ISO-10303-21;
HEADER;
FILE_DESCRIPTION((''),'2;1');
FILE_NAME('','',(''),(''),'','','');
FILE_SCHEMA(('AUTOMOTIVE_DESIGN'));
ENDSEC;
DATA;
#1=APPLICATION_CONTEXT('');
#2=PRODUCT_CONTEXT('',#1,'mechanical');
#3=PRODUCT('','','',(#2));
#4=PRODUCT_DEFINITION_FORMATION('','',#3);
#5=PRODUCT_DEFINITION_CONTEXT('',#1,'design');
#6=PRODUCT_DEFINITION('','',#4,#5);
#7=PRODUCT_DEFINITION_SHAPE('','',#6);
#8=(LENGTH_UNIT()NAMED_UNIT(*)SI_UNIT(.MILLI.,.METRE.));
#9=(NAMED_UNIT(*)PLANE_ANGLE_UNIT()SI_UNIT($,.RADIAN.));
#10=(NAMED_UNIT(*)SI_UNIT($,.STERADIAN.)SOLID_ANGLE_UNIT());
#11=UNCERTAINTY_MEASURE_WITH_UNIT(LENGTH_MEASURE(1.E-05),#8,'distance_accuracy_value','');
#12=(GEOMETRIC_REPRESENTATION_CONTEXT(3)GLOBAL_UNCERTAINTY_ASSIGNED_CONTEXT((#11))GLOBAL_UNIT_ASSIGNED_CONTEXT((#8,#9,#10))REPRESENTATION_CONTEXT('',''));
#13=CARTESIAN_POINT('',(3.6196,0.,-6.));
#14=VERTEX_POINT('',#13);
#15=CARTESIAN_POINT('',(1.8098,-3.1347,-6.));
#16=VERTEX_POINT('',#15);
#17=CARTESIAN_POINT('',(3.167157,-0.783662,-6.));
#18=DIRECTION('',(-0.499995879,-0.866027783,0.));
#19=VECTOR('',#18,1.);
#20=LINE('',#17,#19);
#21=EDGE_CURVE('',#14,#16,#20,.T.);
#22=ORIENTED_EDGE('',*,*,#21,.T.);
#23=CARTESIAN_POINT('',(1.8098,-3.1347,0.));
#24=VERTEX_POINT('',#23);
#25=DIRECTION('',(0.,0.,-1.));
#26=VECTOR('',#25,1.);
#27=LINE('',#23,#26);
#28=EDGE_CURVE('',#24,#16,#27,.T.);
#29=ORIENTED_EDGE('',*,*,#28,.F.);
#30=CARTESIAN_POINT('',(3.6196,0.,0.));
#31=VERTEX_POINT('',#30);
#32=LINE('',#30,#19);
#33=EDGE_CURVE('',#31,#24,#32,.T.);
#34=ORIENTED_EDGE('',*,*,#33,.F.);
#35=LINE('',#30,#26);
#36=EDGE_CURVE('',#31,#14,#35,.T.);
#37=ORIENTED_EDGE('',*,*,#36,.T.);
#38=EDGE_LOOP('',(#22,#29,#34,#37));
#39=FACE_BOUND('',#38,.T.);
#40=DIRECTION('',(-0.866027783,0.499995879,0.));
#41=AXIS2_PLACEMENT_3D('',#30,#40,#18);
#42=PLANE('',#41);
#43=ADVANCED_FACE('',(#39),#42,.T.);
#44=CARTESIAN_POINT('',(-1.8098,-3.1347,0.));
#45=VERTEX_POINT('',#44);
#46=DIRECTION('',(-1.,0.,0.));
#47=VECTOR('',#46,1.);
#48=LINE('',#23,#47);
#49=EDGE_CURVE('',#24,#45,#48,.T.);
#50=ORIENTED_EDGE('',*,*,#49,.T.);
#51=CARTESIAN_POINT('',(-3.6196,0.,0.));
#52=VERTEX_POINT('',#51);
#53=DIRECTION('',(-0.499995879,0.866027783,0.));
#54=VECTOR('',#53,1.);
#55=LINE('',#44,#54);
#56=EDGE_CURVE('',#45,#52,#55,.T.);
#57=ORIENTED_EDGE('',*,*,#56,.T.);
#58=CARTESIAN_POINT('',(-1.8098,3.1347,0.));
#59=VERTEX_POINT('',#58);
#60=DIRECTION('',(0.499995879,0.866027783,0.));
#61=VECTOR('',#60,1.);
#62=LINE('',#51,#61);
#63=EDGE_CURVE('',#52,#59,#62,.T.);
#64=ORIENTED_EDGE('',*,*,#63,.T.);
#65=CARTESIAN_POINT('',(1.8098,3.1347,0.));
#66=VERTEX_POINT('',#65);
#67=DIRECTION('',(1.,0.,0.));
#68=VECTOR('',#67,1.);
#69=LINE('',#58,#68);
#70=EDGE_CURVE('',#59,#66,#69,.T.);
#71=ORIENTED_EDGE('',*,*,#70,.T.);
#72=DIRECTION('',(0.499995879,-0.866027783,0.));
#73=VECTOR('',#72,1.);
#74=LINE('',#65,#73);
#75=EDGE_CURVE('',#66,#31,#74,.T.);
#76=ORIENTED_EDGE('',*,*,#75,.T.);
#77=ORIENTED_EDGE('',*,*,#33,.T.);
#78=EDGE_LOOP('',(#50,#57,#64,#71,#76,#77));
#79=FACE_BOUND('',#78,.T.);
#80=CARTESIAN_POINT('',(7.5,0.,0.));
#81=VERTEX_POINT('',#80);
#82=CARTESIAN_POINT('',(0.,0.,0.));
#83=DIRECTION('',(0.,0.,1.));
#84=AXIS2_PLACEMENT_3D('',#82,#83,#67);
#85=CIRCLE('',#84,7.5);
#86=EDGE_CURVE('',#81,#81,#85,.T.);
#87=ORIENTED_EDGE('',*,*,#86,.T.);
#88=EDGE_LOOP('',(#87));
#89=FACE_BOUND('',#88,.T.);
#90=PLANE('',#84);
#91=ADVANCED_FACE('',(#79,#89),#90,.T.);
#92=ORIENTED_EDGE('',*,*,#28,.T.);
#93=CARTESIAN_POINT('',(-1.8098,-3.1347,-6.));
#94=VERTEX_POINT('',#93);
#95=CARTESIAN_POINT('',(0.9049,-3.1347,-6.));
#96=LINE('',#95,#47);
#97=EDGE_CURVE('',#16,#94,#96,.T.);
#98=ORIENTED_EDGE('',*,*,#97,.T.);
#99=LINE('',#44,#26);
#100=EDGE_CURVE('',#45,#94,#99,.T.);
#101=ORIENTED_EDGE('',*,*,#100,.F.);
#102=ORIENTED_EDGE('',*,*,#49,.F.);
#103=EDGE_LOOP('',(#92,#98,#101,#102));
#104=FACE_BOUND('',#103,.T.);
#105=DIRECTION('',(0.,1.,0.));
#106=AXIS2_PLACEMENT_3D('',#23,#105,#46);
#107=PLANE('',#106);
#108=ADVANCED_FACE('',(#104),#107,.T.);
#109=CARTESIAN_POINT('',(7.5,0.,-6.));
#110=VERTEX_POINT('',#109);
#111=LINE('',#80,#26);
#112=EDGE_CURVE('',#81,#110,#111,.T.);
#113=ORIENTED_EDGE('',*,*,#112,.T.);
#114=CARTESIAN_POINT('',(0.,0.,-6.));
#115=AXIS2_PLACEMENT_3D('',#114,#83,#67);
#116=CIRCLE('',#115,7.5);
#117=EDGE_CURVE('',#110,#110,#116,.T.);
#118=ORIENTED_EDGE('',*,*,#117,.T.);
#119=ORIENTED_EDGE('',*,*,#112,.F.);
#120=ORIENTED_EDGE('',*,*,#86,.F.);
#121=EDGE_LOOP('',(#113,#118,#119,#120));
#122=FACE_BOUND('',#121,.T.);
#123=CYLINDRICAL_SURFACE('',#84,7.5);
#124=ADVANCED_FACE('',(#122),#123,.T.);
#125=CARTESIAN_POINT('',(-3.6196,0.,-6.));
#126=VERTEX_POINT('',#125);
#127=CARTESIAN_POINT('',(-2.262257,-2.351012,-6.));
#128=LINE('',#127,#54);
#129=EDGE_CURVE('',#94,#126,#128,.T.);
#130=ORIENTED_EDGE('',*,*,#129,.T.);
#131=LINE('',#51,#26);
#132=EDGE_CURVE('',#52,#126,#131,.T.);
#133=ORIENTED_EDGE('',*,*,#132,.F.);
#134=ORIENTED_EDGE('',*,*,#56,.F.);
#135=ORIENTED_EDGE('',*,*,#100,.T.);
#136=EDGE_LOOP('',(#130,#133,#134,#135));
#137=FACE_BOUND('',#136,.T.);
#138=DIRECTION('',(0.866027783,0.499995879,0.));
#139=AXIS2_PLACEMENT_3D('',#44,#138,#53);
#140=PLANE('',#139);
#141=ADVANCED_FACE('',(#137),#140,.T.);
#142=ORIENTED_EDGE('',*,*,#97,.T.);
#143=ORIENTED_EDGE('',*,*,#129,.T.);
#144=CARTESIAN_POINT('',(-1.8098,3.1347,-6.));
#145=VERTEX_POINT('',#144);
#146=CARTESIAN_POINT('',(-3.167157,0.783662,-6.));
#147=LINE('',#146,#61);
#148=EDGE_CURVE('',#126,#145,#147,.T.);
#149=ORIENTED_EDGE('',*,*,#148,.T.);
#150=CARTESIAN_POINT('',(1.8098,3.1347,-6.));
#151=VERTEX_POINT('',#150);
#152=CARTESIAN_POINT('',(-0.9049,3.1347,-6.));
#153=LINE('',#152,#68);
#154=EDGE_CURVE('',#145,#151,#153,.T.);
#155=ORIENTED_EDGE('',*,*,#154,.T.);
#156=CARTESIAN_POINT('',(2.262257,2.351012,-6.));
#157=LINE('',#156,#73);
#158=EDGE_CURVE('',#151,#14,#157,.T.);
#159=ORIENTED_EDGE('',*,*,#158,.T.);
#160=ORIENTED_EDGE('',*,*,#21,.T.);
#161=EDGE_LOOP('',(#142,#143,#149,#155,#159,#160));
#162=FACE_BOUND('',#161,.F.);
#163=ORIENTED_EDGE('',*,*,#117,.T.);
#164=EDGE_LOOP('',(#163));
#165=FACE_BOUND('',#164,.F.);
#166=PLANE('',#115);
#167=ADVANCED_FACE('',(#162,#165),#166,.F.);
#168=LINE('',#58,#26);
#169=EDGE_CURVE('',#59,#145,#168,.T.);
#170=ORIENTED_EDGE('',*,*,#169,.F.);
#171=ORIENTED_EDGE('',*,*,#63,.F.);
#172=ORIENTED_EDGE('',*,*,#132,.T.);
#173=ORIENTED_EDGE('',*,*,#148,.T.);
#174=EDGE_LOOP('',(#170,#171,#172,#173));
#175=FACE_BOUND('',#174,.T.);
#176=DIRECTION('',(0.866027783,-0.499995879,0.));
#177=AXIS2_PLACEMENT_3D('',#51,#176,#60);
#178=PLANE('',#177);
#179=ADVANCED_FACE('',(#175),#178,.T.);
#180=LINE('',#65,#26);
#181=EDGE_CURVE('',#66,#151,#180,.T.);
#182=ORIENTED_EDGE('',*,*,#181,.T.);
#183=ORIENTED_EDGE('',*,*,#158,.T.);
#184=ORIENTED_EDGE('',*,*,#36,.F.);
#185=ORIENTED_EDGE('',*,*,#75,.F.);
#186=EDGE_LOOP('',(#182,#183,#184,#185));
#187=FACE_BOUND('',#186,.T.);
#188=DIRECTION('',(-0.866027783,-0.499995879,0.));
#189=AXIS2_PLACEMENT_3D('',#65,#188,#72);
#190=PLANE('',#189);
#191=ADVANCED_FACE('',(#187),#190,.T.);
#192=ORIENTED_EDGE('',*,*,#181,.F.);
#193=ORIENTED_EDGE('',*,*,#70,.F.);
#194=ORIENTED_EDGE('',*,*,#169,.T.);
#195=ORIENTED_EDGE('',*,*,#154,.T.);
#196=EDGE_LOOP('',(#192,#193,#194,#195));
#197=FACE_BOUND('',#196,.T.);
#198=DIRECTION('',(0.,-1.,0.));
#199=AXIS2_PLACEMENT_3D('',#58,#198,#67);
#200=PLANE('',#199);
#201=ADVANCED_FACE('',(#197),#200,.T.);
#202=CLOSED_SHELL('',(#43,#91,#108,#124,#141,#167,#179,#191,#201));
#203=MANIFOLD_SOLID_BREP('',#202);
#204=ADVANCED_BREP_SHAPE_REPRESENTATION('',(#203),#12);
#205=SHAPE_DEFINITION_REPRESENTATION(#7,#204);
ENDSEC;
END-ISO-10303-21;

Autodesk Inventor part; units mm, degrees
ref_plane "YZ Plane" through (0, 0, 0) normal (1, 0, 0) x (0, 1, 0)
ref_plane "XZ Plane" through (0, 0, 0) normal (0, 1, 0) x (-1, 0, 0)
ref_plane "XY Plane" through (0, 0, 0) normal (0, 0, 1) x (1, 0, 0)
sketch "Sketch1" plane through (0, 0, 0) normal (0, 0, 1) x (1, 0, 0)
  line L0 (-1.6732, 2.8981) -> (1.6732, 2.8981) projected
  line L1 (-3.3464, 0) -> (-1.6732, 2.8981) projected
  line L2 (-1.6732, -2.8981) -> (-3.3464, 0) projected
  line L3 (1.6732, -2.8981) -> (-1.6732, -2.8981) projected
  line L4 (3.3464, 0) -> (1.6732, -2.8981) projected
  line L5 (1.6732, 2.8981) -> (3.3464, 0) projected
  circle A0 centre (0, 0) radius 7.5
extrude "Extrusion1" add sketch "Sketch1" against normal blind 6
sketch "Sketch2" plane through (0, 0, 0) normal (0, 0, 1) x (1, 0, 0)
  circle A0 centre (0, 0) radius 7.5 projected
  line L0 (0, 0) -> (-3.1, 0) construction
  line L1 (0, 0) -> (-1.55, -2.6847) construction
  line L2 (0, 0) -> (1.55, -2.6847) construction
  line L3 (0, 0) -> (3.1, 0) construction
  line L4 (0, 0) -> (1.55, 2.6847) construction
  line L5 (0, 0) -> (-1.55, 2.6847) construction
  line L6 (1.55, 2.6847) -> (-1.55, 2.6847) construction
  line L7 (1.6732, 2.8981) -> (-1.6732, 2.8981) projected
  line L8 (-1.55, 2.6847) -> (-3.1, 0) construction
  line L9 (1.55, -2.6847) -> (-1.55, -2.6847) construction
  line L10 (-1.6732, -2.8981) -> (1.6732, -2.8981) projected
  line L11 (-1.55, -2.6847) -> (-3.1, 0) construction
  line L12 (1.55, -2.6847) -> (3.1, 0) construction
  line L13 (3.1, 0) -> (1.55, 2.6847) construction
  line L14 (3.3464, 0) -> (1.6732, 2.8981) projected
  line L15 (-1.8098, 3.1347) -> (1.8098, 3.1347)
  line L16 (1.8098, 3.1347) -> (3.6196, 0)
  line L17 (3.6196, 0) -> (1.8098, -3.1347)
  line L18 (1.8098, -3.1347) -> (-1.8098, -3.1347)
  line L19 (-1.8098, -3.1347) -> (-3.6196, 0)
  line L20 (-3.6196, 0) -> (-1.8098, 3.1347)
  point P0 (0, 0)
  dimension "d4" = 3.1
  dimension "d7" = 360
  dimension "d9" = 0.45
extrude "Extrusion2" cut sketch "Sketch2" against normal blind 10 contours L15 L16 L17 L18 L19 L20
properties part number "Rodamiento_Ejes"
